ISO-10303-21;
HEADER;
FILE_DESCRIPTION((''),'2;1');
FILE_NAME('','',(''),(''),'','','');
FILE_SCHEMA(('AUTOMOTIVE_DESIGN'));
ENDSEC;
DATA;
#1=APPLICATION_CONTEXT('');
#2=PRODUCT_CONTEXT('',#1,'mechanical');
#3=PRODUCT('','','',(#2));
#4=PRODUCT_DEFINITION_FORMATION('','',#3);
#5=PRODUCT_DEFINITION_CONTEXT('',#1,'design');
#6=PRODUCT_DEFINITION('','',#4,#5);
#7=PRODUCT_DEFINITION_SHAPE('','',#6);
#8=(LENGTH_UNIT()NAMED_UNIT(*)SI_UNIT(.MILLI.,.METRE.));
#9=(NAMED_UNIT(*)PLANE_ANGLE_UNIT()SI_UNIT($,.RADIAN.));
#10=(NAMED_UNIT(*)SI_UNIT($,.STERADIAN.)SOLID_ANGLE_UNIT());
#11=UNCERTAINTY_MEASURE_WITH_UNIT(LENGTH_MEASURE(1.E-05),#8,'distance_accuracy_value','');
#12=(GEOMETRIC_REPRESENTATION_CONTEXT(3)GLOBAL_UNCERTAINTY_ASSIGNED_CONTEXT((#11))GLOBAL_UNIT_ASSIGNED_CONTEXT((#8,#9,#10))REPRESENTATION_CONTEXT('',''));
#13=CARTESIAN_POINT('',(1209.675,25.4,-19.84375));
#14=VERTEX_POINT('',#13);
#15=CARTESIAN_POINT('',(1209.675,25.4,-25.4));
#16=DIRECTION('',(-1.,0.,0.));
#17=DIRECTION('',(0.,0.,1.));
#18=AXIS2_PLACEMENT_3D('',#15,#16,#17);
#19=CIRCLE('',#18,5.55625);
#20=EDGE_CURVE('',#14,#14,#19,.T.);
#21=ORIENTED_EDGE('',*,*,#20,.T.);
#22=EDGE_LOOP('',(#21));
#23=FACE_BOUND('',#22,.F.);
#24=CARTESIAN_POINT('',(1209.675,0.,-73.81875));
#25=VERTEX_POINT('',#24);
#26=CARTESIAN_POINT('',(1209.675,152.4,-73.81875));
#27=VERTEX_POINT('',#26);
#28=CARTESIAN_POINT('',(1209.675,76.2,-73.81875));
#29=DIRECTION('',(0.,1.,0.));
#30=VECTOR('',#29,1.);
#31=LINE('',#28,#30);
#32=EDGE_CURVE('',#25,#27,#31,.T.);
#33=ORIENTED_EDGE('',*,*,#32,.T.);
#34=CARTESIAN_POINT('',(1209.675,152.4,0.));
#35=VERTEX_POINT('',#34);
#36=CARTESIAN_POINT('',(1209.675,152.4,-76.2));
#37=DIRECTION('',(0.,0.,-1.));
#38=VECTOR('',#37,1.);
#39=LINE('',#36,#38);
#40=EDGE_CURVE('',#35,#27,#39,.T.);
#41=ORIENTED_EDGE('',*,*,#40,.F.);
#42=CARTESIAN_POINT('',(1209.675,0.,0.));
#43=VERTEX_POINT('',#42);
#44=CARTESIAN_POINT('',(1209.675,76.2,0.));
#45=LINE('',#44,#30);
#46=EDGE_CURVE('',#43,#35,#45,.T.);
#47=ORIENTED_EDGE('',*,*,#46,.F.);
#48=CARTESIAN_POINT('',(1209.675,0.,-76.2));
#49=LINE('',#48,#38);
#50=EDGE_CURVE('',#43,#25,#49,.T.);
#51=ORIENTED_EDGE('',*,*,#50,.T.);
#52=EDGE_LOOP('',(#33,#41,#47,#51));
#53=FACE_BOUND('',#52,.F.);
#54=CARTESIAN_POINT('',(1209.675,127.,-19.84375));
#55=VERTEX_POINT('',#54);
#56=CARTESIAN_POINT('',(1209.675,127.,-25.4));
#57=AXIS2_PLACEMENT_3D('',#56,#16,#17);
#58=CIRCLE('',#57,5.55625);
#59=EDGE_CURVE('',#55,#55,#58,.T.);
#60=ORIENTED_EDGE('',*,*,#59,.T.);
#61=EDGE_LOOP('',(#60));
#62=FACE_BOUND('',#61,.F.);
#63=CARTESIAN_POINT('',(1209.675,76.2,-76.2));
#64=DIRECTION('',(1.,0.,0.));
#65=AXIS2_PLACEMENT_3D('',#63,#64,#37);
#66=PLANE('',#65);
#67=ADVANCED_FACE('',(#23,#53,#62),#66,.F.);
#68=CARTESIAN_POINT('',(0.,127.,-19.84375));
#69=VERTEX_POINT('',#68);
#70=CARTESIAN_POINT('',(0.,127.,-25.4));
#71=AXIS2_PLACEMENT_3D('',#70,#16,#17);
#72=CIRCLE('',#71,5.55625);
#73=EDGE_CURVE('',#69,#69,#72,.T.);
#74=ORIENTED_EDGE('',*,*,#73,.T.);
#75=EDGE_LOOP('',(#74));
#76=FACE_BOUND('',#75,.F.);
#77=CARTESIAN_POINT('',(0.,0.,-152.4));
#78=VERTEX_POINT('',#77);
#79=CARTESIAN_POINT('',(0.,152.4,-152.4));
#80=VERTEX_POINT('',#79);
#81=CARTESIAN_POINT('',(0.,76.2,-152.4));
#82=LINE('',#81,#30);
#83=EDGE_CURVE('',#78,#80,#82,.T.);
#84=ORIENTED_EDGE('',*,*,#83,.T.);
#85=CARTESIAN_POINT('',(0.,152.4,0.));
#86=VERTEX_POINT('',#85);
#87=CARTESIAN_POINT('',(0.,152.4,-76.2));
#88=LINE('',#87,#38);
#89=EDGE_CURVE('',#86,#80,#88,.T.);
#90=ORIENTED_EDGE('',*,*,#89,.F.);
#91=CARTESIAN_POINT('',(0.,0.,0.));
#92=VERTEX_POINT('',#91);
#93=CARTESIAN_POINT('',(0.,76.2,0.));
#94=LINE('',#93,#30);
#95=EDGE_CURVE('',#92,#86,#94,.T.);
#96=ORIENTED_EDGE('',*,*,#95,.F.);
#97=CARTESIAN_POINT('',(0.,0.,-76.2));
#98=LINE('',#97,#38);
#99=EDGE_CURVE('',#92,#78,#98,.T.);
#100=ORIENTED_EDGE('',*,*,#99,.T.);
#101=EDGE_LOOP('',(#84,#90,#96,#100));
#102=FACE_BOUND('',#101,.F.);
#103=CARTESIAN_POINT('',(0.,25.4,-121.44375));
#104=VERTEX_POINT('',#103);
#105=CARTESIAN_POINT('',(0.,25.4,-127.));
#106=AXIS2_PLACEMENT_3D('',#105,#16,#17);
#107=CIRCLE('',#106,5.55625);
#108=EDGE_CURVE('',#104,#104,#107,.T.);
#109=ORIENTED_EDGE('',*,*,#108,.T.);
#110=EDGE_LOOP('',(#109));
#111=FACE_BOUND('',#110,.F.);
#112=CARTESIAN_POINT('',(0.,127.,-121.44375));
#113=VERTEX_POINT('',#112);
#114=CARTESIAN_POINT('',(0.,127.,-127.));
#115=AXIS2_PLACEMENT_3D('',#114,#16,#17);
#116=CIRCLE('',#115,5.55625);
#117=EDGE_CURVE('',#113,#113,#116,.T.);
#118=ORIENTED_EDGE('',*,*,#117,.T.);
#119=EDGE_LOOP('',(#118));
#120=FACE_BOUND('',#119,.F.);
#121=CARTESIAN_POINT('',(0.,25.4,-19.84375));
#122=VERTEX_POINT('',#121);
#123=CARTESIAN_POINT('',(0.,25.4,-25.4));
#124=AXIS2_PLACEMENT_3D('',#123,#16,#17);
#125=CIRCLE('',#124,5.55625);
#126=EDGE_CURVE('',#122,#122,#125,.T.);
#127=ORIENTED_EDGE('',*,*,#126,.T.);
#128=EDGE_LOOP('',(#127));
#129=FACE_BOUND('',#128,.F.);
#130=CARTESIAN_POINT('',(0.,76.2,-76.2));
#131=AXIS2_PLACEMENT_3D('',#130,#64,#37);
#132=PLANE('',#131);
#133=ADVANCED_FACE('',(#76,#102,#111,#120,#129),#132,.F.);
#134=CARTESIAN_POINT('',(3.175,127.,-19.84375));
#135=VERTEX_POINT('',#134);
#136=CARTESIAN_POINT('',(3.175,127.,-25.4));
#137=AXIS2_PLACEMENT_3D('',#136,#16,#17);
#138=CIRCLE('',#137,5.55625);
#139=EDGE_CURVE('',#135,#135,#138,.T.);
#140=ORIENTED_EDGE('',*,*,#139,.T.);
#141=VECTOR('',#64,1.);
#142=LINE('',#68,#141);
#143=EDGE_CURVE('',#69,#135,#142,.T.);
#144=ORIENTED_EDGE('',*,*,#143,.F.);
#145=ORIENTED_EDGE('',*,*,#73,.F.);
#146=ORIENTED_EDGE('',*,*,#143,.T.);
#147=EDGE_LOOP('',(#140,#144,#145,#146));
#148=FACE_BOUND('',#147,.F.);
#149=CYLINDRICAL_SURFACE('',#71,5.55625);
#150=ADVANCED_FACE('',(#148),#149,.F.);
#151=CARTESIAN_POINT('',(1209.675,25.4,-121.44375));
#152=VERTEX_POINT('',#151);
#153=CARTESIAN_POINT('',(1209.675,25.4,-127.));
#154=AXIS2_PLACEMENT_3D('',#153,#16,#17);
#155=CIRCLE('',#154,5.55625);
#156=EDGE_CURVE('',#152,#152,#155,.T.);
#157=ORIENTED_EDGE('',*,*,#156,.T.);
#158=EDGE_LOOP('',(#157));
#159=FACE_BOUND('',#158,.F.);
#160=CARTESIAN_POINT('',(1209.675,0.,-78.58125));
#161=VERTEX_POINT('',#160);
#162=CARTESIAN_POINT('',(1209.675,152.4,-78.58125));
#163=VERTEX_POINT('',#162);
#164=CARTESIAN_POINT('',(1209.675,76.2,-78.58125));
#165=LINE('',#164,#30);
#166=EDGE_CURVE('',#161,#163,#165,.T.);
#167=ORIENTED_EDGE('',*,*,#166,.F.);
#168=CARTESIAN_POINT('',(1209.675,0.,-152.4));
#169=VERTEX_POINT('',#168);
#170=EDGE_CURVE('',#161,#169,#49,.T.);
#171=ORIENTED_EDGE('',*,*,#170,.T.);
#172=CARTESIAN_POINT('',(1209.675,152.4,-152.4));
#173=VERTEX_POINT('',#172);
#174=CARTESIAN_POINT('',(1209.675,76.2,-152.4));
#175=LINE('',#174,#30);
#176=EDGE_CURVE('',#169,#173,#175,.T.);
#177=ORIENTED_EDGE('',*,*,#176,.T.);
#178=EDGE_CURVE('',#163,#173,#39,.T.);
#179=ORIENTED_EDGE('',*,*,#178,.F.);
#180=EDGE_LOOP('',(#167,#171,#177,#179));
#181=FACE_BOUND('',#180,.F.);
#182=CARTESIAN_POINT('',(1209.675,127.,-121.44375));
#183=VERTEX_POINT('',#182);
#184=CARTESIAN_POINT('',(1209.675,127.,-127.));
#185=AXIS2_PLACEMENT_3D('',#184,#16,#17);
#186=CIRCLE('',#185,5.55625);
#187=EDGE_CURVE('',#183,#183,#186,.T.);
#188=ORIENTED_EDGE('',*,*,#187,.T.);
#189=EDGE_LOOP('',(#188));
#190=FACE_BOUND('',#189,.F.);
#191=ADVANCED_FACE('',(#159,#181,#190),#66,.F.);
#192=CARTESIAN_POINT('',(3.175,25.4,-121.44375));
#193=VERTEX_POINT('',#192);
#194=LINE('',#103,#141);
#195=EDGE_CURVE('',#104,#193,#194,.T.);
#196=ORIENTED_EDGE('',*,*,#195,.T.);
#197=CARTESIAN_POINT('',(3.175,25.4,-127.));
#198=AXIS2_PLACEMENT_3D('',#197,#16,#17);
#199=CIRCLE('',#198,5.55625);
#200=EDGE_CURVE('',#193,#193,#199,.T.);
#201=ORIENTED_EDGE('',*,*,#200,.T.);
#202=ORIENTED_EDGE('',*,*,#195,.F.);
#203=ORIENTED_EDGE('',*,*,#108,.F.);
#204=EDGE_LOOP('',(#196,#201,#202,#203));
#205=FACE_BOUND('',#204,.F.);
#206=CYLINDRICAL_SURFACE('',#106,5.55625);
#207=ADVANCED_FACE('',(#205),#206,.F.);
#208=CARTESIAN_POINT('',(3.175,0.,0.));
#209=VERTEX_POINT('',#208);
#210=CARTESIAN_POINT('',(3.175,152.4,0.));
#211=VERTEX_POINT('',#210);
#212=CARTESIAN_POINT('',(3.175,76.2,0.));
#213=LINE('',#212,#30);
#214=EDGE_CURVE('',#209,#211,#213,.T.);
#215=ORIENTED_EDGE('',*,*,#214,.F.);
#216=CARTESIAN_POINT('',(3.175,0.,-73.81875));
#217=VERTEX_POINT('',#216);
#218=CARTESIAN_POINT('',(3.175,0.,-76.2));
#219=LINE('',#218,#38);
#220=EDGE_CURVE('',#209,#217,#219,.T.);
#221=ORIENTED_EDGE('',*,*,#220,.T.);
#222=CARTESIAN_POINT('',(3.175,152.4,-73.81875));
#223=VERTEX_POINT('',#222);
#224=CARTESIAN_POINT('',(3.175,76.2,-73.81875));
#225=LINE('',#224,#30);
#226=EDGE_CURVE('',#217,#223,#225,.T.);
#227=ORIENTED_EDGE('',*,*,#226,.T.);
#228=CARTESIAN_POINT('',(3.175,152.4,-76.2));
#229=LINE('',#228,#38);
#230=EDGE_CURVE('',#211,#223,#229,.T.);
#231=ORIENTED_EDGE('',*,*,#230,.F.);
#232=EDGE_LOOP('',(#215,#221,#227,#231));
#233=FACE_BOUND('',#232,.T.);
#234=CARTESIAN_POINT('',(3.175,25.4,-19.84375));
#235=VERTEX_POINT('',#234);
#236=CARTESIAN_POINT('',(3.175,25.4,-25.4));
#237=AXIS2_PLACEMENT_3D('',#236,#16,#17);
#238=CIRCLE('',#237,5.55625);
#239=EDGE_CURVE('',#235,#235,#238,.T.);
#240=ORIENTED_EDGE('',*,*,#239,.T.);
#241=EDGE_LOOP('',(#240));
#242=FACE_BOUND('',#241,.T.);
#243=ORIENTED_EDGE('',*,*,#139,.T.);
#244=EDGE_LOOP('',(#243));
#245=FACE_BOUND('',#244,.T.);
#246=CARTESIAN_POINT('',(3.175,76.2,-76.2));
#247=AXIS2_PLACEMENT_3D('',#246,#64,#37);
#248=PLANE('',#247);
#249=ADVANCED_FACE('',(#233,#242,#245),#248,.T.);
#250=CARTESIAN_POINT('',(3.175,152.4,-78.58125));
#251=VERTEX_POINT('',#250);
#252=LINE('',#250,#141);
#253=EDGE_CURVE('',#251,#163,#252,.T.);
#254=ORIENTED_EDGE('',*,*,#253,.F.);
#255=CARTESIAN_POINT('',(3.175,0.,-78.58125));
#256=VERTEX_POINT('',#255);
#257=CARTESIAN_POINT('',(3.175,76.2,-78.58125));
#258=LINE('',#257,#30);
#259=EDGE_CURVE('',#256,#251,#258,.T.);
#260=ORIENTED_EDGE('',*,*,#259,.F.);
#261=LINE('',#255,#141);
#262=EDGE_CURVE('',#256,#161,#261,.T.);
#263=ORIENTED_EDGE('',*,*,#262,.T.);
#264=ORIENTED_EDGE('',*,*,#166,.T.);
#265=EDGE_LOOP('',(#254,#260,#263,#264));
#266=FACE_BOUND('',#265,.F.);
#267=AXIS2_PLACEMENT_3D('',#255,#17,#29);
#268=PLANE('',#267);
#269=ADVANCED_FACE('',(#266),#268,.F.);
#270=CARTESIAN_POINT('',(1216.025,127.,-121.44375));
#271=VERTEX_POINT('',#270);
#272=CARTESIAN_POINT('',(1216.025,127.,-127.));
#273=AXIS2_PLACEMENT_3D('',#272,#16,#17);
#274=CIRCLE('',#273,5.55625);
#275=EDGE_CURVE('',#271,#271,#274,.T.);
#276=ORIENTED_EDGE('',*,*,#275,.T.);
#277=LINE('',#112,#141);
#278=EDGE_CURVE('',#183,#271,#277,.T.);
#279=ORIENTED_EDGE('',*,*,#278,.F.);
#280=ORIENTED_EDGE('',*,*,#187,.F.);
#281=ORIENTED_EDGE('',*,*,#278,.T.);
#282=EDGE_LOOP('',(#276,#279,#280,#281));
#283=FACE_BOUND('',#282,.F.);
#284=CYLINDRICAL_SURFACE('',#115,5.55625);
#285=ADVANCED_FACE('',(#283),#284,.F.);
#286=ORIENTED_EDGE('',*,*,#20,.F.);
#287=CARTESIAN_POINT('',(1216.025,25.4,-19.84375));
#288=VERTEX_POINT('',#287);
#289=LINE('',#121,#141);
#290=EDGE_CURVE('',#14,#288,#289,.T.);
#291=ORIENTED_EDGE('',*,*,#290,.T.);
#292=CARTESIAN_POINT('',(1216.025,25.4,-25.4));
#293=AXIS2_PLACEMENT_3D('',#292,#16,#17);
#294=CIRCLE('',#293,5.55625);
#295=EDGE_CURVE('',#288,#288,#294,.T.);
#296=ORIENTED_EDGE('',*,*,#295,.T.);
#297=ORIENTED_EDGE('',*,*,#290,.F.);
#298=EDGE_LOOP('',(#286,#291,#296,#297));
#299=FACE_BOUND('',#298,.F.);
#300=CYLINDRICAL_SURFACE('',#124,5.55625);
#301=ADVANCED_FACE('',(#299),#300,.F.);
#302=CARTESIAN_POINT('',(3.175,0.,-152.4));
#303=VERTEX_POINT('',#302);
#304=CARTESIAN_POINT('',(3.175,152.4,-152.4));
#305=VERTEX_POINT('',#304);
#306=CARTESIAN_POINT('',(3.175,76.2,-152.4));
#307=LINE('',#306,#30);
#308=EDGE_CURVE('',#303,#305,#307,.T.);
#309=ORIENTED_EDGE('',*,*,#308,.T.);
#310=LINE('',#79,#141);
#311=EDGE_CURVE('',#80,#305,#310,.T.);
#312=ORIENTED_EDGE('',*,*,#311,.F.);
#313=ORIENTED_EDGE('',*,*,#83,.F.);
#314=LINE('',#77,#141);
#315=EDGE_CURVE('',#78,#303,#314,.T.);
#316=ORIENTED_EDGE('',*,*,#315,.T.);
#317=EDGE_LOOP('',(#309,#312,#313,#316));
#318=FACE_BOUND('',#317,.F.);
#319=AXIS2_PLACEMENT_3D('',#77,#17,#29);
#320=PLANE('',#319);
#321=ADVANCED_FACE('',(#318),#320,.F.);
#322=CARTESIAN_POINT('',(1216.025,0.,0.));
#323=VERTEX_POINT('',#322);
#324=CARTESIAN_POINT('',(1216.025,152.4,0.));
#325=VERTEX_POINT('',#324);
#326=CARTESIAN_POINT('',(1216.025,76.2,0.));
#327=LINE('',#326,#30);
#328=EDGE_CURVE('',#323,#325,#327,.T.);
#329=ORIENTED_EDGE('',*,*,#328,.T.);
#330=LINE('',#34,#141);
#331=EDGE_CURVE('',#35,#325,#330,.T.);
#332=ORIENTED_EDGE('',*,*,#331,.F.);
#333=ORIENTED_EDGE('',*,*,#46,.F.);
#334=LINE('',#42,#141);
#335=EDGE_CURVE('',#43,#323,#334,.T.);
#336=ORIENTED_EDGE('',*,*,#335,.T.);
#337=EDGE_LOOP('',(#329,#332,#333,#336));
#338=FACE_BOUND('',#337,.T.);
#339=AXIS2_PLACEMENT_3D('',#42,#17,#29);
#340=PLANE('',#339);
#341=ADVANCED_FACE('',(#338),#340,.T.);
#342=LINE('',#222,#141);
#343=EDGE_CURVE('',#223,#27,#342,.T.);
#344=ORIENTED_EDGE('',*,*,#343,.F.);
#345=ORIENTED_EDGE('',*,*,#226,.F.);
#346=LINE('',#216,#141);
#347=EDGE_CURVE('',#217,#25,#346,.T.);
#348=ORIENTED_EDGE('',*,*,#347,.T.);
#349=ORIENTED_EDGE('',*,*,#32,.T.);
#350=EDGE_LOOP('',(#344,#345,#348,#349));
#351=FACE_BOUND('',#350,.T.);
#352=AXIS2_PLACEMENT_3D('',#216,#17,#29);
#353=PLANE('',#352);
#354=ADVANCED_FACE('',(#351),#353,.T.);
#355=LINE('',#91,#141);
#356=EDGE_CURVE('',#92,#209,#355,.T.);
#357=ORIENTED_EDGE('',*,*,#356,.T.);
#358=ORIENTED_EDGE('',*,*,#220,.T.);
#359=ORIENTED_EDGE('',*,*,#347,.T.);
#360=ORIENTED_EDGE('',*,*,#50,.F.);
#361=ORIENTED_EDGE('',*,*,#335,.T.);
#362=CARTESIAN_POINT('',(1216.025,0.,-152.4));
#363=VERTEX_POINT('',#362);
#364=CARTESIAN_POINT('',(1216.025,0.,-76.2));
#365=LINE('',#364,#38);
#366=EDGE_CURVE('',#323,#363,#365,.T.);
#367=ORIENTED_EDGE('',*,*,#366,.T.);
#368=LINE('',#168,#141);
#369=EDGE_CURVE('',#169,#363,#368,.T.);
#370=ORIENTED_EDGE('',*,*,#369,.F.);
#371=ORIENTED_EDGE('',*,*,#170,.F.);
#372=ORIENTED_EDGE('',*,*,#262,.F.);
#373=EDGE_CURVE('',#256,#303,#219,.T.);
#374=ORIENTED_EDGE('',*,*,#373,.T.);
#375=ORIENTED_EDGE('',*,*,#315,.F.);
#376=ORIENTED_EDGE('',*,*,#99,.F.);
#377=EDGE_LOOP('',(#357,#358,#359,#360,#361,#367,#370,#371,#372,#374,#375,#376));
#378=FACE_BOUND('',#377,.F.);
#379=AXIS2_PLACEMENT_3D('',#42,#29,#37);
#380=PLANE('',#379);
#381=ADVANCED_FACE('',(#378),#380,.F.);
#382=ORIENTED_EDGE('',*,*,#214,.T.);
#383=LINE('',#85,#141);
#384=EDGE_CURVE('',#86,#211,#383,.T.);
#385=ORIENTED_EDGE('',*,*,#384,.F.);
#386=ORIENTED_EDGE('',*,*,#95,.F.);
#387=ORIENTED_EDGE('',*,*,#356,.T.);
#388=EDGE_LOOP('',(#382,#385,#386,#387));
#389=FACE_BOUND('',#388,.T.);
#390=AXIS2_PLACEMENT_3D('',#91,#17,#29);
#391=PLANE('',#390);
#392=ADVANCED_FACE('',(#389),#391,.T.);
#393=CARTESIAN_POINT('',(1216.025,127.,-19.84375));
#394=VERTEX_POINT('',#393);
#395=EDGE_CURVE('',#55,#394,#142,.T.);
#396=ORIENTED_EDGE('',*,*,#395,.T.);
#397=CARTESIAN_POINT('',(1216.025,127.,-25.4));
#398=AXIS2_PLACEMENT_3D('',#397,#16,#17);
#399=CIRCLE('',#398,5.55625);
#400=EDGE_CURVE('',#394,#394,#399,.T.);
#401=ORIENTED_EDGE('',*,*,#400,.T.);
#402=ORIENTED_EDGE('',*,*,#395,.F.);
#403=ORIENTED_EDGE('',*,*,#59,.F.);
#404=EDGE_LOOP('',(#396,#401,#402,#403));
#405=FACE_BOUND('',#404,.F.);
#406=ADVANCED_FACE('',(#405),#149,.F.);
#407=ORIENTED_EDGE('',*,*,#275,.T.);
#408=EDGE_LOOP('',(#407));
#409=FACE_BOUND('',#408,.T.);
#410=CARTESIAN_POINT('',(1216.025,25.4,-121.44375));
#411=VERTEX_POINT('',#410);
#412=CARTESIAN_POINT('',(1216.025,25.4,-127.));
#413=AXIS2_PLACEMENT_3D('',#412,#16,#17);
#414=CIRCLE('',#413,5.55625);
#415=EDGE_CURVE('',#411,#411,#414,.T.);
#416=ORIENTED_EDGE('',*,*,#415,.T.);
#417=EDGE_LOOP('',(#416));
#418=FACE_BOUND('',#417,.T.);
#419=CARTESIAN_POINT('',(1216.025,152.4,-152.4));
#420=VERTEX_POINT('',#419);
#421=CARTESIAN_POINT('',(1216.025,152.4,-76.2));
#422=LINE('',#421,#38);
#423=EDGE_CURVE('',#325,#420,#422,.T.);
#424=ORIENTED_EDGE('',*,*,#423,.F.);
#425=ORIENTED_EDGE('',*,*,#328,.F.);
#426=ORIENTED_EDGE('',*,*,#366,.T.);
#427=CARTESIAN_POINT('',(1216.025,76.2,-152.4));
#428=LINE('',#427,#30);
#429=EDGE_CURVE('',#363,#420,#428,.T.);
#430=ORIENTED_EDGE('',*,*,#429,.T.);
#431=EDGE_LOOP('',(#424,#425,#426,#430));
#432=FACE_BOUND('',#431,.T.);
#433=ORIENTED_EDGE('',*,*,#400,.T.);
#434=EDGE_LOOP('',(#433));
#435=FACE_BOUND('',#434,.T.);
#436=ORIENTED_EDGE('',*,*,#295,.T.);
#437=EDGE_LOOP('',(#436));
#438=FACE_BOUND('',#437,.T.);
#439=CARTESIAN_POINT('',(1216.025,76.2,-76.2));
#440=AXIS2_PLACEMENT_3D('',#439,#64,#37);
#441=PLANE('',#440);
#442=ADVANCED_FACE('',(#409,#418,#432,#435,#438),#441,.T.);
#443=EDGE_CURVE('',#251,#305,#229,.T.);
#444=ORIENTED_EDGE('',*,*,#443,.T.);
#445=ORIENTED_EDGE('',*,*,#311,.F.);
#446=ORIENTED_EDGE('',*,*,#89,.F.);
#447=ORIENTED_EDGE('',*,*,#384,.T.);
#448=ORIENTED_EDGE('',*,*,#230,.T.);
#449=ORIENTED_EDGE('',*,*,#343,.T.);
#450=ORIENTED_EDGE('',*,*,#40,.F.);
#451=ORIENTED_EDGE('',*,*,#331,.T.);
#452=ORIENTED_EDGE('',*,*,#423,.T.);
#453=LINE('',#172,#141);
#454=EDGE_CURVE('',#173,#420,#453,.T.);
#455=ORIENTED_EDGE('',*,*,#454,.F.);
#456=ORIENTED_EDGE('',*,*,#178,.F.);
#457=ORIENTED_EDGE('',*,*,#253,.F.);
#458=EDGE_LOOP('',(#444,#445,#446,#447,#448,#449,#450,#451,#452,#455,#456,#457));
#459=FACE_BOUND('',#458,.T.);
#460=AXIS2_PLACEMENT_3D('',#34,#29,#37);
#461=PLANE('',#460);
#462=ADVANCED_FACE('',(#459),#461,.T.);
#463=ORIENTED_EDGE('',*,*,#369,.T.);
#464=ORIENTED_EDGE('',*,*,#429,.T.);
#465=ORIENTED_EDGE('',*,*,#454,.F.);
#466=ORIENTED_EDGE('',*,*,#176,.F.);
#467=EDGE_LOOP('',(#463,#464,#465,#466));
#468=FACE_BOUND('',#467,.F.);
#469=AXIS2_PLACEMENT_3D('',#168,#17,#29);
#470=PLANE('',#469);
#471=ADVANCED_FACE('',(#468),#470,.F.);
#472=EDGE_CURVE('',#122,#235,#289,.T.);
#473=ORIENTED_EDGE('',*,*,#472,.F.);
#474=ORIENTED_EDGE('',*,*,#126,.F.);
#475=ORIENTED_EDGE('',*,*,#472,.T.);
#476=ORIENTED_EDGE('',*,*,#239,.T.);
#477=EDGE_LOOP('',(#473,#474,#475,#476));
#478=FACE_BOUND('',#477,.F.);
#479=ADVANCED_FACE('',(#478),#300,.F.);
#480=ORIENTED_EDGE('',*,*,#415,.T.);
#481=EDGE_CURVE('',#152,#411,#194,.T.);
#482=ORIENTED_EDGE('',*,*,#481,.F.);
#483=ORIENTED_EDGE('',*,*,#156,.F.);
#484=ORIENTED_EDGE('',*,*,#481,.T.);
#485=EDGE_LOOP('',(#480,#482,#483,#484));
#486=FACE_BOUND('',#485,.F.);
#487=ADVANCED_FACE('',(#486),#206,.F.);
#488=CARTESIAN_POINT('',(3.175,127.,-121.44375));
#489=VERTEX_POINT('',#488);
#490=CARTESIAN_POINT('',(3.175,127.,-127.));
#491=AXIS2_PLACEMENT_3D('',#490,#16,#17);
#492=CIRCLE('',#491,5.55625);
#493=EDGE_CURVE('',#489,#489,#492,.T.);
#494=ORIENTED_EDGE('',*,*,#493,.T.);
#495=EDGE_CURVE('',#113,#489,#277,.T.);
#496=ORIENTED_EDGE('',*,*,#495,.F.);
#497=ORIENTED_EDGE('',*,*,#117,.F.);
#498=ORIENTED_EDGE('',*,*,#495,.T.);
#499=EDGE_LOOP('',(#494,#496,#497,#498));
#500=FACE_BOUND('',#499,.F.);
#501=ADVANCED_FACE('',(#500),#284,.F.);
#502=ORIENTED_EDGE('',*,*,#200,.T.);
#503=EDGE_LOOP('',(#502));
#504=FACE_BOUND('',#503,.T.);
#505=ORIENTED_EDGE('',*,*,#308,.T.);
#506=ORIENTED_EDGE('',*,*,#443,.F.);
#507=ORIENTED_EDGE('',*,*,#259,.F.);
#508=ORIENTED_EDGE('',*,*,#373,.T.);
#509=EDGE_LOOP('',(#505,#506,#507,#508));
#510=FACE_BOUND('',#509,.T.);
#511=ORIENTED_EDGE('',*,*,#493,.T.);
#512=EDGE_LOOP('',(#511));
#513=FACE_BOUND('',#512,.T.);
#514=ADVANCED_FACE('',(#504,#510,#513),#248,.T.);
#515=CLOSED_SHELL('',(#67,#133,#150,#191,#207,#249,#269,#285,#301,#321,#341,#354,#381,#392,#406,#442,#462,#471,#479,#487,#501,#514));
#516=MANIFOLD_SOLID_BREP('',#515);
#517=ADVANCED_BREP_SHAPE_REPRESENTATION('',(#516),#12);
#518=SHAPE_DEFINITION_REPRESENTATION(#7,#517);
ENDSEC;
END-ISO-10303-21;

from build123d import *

# Parameters (mm, degrees)
SKETCH1_W           = 152.4
SKETCH1_H           = 152.4
BOSS_EXTRUDE1_DEPTH = 3.175
SKETCH2_W           = 4.7625
SKETCH2_H           = 152.4
BOSS_EXTRUDE2_DEPTH = 1206.5
SKETCH3_W           = 152.4
SKETCH3_H           = 152.4
BOSS_EXTRUDE3_DEPTH = 6.35
SKETCH4_R           = 5.55625
CUT_EXTRUDE1_DEPTH  = 1219.2


with BuildPart() as part:
    # Sketch1 → Boss-Extrude1 (new body)
    with BuildSketch(Plane(origin=(0, 0, 0), x_dir=(0, 0, -1), z_dir=(1, 0, 0))):
        with Locations((76.2, 76.2)):
            Rectangle(SKETCH1_W, SKETCH1_H)
    extrude(amount=BOSS_EXTRUDE1_DEPTH)

    # Sketch2 → Boss-Extrude2 (add)
    with BuildSketch(Plane(origin=(3.175, 0, 0), x_dir=(0, 0, -1), z_dir=(1, 0, 0))):
        with Locations((76.2, 76.2)):
            Rectangle(SKETCH2_W, SKETCH2_H)
    extrude(amount=BOSS_EXTRUDE2_DEPTH)

    # Sketch3 → Boss-Extrude3 (add)
    with BuildSketch(Plane(origin=(1209.675, 0, 0), x_dir=(0, 0, -1), z_dir=(1, 0, 0))):
        with Locations((76.2, 76.2)):
            Rectangle(SKETCH3_W, SKETCH3_H)
    extrude(amount=BOSS_EXTRUDE3_DEPTH)

    # Sketch4 → Cut-Extrude1 (cut)
    with BuildSketch(Plane.ZY):
        with Locations((-127, 127)):
            Circle(SKETCH4_R)
        with Locations((-25.4, 127)):
            Circle(SKETCH4_R)
        with Locations((-25.4, 25.4)):
            Circle(SKETCH4_R)
        with Locations((-127, 25.4)):
            Circle(SKETCH4_R)
    extrude(amount=-CUT_EXTRUDE1_DEPTH, mode=Mode.SUBTRACT)


solid = part.part
